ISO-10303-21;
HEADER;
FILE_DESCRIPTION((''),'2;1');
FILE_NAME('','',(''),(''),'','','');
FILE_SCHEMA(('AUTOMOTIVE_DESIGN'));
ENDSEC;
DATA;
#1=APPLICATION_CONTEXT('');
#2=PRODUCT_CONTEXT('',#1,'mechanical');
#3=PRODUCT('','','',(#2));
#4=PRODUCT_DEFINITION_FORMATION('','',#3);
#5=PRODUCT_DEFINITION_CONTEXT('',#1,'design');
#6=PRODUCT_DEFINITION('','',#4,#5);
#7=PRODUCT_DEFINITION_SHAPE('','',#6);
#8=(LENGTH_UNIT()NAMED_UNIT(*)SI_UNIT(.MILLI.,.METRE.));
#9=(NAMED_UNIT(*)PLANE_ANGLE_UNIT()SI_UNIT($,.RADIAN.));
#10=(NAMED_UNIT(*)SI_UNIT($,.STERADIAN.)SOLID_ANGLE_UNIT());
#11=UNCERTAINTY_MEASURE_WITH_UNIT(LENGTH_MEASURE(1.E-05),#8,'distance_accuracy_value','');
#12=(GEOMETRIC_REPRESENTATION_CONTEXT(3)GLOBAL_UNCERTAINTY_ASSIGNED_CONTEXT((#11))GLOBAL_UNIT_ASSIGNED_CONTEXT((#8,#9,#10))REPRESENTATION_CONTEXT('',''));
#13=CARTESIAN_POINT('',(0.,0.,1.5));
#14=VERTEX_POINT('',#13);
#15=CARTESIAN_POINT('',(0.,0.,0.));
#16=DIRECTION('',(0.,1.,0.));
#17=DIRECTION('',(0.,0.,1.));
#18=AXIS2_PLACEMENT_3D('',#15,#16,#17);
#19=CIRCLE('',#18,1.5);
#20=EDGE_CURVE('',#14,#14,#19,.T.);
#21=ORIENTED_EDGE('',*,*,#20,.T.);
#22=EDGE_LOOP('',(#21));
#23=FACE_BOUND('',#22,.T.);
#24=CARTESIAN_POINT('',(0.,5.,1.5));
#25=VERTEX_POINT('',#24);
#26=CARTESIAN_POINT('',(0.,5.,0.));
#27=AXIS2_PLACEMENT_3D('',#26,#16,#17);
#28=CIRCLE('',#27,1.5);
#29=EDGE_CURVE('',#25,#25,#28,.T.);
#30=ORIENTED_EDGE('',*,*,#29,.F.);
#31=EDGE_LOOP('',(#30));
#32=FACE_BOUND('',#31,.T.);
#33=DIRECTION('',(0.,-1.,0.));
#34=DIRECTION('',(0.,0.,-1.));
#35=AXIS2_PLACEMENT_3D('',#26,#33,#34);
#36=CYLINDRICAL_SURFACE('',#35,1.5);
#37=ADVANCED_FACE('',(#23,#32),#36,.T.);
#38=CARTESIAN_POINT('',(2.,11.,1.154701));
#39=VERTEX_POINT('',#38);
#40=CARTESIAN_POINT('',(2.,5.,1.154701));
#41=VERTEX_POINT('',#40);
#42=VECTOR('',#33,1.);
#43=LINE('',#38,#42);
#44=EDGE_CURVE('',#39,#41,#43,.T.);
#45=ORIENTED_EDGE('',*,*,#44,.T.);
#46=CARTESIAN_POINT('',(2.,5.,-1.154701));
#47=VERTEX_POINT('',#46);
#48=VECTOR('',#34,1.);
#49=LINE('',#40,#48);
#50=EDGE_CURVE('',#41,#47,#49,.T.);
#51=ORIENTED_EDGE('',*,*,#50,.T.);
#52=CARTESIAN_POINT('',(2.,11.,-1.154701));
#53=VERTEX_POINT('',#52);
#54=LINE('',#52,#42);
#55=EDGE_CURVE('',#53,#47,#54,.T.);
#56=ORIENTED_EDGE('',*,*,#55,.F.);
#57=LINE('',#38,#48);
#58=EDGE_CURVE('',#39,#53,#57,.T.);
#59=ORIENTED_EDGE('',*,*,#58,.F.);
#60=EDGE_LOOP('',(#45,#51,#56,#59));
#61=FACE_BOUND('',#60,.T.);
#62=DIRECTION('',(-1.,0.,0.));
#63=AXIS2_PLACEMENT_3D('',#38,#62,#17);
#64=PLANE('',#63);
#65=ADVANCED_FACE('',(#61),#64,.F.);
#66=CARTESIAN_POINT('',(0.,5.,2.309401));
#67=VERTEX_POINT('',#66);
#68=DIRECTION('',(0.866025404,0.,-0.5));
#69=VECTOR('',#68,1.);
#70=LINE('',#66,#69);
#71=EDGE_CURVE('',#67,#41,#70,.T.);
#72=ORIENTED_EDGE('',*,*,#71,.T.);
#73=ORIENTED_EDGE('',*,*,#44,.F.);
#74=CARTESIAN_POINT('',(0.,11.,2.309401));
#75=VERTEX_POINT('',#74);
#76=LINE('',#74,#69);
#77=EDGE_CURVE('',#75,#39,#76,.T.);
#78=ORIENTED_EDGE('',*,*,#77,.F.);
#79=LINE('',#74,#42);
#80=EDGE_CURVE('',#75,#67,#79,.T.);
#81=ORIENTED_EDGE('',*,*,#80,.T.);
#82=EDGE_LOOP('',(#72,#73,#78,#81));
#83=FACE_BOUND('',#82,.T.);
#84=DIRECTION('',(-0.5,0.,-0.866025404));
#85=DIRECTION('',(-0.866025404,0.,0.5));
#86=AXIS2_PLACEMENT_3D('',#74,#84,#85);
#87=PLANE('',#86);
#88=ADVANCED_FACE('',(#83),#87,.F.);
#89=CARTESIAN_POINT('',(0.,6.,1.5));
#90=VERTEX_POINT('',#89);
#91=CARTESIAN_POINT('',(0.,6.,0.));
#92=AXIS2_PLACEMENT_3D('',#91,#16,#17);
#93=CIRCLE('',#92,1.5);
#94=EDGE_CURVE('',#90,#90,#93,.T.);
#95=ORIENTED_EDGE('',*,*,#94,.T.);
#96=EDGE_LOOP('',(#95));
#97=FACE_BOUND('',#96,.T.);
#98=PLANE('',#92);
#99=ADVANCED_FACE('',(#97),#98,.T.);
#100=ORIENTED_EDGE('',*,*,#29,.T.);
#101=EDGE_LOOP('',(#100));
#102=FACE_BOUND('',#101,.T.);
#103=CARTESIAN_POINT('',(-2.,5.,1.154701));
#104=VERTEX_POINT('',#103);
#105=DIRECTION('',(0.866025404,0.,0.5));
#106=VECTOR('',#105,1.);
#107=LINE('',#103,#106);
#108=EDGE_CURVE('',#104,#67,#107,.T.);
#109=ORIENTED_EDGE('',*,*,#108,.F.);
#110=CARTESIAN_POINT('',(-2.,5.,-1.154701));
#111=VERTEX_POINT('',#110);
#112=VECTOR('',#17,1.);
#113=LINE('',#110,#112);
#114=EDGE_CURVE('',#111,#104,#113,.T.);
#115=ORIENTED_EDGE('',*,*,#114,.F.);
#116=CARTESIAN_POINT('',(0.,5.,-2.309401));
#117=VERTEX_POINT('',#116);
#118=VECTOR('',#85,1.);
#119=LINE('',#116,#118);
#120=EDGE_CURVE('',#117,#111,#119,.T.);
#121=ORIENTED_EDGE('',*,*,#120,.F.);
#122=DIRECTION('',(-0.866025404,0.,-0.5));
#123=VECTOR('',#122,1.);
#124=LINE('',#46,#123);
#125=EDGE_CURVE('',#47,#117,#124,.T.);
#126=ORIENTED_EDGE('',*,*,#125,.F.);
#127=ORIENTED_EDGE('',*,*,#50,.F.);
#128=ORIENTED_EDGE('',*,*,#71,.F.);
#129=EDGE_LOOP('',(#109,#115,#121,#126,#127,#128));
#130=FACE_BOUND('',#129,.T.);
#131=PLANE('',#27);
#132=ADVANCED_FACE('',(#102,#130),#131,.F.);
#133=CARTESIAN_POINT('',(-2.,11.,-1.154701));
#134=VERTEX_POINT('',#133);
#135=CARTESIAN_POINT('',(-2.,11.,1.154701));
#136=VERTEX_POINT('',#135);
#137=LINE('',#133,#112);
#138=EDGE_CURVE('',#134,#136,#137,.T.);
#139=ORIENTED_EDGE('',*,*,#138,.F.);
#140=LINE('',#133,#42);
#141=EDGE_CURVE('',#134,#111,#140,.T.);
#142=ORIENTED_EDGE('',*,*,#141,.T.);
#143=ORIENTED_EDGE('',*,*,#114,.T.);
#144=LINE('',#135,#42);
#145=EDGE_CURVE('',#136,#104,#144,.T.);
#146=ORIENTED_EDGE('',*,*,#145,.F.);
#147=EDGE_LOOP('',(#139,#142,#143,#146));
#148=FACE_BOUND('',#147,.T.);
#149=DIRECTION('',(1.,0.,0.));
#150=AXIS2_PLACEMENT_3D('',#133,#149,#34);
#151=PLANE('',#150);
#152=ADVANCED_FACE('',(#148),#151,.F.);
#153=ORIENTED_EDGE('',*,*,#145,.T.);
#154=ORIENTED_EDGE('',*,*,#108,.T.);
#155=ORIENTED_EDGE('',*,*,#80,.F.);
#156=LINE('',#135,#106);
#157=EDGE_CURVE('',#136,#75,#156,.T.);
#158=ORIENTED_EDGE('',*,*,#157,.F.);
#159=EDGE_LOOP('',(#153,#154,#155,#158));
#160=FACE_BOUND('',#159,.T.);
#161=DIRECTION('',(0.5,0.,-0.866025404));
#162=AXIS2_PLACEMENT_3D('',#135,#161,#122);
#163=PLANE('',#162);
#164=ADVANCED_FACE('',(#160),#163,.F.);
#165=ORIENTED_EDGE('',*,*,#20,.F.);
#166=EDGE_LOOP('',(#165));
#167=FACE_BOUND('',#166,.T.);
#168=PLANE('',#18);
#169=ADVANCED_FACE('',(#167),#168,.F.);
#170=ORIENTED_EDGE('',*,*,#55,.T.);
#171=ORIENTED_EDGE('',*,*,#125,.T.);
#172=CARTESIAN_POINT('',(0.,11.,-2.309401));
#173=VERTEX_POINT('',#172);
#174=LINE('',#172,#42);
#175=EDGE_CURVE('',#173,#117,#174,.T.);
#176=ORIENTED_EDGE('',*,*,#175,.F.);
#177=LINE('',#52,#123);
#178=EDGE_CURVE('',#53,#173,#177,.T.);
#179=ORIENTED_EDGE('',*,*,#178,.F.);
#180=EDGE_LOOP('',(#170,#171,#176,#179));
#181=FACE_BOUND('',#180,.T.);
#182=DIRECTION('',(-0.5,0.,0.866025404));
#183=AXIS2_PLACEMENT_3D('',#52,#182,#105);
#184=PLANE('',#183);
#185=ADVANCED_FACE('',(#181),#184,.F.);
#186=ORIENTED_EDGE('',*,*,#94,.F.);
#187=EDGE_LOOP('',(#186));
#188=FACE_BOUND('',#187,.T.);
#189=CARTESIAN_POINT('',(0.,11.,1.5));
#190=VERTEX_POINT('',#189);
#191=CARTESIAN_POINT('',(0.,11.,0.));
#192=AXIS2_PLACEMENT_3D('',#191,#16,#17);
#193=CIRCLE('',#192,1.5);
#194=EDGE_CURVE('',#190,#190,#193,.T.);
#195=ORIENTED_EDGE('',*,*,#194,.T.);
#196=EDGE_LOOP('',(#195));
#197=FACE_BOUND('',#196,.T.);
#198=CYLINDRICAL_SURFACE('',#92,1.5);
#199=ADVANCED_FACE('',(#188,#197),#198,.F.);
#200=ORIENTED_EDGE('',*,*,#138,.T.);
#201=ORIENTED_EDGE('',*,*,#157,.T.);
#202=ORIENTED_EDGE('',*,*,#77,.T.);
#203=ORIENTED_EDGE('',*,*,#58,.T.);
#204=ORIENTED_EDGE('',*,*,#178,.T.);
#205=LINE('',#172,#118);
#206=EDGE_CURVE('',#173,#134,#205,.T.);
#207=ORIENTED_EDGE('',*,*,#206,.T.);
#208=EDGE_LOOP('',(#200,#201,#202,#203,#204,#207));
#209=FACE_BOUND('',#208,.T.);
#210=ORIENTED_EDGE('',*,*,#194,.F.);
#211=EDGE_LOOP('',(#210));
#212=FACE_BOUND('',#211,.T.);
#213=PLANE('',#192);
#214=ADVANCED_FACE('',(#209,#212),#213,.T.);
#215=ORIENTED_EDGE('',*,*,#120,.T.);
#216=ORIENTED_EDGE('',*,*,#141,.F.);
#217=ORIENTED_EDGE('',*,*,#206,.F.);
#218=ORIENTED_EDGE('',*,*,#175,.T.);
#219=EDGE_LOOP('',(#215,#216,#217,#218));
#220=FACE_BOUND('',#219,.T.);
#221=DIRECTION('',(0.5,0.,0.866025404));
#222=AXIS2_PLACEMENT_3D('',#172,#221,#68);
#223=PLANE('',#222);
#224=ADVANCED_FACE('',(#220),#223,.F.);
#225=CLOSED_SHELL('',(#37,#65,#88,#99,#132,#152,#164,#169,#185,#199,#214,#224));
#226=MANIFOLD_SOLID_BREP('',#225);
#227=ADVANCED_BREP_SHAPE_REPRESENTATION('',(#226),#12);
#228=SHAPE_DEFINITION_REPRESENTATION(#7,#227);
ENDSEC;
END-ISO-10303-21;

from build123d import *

# Parameters (mm, degrees)
SKETCH_1_R          = 1.5
EXTRUDE_1_DEPTH     = 5
EXTRUDE_2_DEPTH     = 6
SKETCH_3_R          = 1.5
CUT_EXTRUDE_1_DEPTH = 5


with BuildPart() as part:
    # 草图1 → 凸台-拉伸1 (new body)
    with BuildSketch(Plane(origin=(0, 0, 0), x_dir=(1, 0, 0), z_dir=(0, 1, 0))):
        Circle(SKETCH_1_R)
    extrude(amount=EXTRUDE_1_DEPTH)

    # 草图2 → 凸台-拉伸2 (add)
    with BuildSketch(Plane(origin=(0, 5, 0), x_dir=(1, 0, 0), z_dir=(0, 1, 0))):
        Polygon((0, 2.309401077), (-2, 1.154700538), (-2, -1.154700538), (0, -2.309401077), (2, -1.154700538), (2, 1.154700538), align=None)
    extrude(amount=EXTRUDE_2_DEPTH)

    # 草图3 → 切除-拉伸1 (cut)
    with BuildSketch(Plane(origin=(0, 11, 0), x_dir=(1, 0, 0), z_dir=(0, 1, 0))):
        Circle(SKETCH_3_R)
    extrude(amount=-CUT_EXTRUDE_1_DEPTH, mode=Mode.SUBTRACT)


solid = part.part
